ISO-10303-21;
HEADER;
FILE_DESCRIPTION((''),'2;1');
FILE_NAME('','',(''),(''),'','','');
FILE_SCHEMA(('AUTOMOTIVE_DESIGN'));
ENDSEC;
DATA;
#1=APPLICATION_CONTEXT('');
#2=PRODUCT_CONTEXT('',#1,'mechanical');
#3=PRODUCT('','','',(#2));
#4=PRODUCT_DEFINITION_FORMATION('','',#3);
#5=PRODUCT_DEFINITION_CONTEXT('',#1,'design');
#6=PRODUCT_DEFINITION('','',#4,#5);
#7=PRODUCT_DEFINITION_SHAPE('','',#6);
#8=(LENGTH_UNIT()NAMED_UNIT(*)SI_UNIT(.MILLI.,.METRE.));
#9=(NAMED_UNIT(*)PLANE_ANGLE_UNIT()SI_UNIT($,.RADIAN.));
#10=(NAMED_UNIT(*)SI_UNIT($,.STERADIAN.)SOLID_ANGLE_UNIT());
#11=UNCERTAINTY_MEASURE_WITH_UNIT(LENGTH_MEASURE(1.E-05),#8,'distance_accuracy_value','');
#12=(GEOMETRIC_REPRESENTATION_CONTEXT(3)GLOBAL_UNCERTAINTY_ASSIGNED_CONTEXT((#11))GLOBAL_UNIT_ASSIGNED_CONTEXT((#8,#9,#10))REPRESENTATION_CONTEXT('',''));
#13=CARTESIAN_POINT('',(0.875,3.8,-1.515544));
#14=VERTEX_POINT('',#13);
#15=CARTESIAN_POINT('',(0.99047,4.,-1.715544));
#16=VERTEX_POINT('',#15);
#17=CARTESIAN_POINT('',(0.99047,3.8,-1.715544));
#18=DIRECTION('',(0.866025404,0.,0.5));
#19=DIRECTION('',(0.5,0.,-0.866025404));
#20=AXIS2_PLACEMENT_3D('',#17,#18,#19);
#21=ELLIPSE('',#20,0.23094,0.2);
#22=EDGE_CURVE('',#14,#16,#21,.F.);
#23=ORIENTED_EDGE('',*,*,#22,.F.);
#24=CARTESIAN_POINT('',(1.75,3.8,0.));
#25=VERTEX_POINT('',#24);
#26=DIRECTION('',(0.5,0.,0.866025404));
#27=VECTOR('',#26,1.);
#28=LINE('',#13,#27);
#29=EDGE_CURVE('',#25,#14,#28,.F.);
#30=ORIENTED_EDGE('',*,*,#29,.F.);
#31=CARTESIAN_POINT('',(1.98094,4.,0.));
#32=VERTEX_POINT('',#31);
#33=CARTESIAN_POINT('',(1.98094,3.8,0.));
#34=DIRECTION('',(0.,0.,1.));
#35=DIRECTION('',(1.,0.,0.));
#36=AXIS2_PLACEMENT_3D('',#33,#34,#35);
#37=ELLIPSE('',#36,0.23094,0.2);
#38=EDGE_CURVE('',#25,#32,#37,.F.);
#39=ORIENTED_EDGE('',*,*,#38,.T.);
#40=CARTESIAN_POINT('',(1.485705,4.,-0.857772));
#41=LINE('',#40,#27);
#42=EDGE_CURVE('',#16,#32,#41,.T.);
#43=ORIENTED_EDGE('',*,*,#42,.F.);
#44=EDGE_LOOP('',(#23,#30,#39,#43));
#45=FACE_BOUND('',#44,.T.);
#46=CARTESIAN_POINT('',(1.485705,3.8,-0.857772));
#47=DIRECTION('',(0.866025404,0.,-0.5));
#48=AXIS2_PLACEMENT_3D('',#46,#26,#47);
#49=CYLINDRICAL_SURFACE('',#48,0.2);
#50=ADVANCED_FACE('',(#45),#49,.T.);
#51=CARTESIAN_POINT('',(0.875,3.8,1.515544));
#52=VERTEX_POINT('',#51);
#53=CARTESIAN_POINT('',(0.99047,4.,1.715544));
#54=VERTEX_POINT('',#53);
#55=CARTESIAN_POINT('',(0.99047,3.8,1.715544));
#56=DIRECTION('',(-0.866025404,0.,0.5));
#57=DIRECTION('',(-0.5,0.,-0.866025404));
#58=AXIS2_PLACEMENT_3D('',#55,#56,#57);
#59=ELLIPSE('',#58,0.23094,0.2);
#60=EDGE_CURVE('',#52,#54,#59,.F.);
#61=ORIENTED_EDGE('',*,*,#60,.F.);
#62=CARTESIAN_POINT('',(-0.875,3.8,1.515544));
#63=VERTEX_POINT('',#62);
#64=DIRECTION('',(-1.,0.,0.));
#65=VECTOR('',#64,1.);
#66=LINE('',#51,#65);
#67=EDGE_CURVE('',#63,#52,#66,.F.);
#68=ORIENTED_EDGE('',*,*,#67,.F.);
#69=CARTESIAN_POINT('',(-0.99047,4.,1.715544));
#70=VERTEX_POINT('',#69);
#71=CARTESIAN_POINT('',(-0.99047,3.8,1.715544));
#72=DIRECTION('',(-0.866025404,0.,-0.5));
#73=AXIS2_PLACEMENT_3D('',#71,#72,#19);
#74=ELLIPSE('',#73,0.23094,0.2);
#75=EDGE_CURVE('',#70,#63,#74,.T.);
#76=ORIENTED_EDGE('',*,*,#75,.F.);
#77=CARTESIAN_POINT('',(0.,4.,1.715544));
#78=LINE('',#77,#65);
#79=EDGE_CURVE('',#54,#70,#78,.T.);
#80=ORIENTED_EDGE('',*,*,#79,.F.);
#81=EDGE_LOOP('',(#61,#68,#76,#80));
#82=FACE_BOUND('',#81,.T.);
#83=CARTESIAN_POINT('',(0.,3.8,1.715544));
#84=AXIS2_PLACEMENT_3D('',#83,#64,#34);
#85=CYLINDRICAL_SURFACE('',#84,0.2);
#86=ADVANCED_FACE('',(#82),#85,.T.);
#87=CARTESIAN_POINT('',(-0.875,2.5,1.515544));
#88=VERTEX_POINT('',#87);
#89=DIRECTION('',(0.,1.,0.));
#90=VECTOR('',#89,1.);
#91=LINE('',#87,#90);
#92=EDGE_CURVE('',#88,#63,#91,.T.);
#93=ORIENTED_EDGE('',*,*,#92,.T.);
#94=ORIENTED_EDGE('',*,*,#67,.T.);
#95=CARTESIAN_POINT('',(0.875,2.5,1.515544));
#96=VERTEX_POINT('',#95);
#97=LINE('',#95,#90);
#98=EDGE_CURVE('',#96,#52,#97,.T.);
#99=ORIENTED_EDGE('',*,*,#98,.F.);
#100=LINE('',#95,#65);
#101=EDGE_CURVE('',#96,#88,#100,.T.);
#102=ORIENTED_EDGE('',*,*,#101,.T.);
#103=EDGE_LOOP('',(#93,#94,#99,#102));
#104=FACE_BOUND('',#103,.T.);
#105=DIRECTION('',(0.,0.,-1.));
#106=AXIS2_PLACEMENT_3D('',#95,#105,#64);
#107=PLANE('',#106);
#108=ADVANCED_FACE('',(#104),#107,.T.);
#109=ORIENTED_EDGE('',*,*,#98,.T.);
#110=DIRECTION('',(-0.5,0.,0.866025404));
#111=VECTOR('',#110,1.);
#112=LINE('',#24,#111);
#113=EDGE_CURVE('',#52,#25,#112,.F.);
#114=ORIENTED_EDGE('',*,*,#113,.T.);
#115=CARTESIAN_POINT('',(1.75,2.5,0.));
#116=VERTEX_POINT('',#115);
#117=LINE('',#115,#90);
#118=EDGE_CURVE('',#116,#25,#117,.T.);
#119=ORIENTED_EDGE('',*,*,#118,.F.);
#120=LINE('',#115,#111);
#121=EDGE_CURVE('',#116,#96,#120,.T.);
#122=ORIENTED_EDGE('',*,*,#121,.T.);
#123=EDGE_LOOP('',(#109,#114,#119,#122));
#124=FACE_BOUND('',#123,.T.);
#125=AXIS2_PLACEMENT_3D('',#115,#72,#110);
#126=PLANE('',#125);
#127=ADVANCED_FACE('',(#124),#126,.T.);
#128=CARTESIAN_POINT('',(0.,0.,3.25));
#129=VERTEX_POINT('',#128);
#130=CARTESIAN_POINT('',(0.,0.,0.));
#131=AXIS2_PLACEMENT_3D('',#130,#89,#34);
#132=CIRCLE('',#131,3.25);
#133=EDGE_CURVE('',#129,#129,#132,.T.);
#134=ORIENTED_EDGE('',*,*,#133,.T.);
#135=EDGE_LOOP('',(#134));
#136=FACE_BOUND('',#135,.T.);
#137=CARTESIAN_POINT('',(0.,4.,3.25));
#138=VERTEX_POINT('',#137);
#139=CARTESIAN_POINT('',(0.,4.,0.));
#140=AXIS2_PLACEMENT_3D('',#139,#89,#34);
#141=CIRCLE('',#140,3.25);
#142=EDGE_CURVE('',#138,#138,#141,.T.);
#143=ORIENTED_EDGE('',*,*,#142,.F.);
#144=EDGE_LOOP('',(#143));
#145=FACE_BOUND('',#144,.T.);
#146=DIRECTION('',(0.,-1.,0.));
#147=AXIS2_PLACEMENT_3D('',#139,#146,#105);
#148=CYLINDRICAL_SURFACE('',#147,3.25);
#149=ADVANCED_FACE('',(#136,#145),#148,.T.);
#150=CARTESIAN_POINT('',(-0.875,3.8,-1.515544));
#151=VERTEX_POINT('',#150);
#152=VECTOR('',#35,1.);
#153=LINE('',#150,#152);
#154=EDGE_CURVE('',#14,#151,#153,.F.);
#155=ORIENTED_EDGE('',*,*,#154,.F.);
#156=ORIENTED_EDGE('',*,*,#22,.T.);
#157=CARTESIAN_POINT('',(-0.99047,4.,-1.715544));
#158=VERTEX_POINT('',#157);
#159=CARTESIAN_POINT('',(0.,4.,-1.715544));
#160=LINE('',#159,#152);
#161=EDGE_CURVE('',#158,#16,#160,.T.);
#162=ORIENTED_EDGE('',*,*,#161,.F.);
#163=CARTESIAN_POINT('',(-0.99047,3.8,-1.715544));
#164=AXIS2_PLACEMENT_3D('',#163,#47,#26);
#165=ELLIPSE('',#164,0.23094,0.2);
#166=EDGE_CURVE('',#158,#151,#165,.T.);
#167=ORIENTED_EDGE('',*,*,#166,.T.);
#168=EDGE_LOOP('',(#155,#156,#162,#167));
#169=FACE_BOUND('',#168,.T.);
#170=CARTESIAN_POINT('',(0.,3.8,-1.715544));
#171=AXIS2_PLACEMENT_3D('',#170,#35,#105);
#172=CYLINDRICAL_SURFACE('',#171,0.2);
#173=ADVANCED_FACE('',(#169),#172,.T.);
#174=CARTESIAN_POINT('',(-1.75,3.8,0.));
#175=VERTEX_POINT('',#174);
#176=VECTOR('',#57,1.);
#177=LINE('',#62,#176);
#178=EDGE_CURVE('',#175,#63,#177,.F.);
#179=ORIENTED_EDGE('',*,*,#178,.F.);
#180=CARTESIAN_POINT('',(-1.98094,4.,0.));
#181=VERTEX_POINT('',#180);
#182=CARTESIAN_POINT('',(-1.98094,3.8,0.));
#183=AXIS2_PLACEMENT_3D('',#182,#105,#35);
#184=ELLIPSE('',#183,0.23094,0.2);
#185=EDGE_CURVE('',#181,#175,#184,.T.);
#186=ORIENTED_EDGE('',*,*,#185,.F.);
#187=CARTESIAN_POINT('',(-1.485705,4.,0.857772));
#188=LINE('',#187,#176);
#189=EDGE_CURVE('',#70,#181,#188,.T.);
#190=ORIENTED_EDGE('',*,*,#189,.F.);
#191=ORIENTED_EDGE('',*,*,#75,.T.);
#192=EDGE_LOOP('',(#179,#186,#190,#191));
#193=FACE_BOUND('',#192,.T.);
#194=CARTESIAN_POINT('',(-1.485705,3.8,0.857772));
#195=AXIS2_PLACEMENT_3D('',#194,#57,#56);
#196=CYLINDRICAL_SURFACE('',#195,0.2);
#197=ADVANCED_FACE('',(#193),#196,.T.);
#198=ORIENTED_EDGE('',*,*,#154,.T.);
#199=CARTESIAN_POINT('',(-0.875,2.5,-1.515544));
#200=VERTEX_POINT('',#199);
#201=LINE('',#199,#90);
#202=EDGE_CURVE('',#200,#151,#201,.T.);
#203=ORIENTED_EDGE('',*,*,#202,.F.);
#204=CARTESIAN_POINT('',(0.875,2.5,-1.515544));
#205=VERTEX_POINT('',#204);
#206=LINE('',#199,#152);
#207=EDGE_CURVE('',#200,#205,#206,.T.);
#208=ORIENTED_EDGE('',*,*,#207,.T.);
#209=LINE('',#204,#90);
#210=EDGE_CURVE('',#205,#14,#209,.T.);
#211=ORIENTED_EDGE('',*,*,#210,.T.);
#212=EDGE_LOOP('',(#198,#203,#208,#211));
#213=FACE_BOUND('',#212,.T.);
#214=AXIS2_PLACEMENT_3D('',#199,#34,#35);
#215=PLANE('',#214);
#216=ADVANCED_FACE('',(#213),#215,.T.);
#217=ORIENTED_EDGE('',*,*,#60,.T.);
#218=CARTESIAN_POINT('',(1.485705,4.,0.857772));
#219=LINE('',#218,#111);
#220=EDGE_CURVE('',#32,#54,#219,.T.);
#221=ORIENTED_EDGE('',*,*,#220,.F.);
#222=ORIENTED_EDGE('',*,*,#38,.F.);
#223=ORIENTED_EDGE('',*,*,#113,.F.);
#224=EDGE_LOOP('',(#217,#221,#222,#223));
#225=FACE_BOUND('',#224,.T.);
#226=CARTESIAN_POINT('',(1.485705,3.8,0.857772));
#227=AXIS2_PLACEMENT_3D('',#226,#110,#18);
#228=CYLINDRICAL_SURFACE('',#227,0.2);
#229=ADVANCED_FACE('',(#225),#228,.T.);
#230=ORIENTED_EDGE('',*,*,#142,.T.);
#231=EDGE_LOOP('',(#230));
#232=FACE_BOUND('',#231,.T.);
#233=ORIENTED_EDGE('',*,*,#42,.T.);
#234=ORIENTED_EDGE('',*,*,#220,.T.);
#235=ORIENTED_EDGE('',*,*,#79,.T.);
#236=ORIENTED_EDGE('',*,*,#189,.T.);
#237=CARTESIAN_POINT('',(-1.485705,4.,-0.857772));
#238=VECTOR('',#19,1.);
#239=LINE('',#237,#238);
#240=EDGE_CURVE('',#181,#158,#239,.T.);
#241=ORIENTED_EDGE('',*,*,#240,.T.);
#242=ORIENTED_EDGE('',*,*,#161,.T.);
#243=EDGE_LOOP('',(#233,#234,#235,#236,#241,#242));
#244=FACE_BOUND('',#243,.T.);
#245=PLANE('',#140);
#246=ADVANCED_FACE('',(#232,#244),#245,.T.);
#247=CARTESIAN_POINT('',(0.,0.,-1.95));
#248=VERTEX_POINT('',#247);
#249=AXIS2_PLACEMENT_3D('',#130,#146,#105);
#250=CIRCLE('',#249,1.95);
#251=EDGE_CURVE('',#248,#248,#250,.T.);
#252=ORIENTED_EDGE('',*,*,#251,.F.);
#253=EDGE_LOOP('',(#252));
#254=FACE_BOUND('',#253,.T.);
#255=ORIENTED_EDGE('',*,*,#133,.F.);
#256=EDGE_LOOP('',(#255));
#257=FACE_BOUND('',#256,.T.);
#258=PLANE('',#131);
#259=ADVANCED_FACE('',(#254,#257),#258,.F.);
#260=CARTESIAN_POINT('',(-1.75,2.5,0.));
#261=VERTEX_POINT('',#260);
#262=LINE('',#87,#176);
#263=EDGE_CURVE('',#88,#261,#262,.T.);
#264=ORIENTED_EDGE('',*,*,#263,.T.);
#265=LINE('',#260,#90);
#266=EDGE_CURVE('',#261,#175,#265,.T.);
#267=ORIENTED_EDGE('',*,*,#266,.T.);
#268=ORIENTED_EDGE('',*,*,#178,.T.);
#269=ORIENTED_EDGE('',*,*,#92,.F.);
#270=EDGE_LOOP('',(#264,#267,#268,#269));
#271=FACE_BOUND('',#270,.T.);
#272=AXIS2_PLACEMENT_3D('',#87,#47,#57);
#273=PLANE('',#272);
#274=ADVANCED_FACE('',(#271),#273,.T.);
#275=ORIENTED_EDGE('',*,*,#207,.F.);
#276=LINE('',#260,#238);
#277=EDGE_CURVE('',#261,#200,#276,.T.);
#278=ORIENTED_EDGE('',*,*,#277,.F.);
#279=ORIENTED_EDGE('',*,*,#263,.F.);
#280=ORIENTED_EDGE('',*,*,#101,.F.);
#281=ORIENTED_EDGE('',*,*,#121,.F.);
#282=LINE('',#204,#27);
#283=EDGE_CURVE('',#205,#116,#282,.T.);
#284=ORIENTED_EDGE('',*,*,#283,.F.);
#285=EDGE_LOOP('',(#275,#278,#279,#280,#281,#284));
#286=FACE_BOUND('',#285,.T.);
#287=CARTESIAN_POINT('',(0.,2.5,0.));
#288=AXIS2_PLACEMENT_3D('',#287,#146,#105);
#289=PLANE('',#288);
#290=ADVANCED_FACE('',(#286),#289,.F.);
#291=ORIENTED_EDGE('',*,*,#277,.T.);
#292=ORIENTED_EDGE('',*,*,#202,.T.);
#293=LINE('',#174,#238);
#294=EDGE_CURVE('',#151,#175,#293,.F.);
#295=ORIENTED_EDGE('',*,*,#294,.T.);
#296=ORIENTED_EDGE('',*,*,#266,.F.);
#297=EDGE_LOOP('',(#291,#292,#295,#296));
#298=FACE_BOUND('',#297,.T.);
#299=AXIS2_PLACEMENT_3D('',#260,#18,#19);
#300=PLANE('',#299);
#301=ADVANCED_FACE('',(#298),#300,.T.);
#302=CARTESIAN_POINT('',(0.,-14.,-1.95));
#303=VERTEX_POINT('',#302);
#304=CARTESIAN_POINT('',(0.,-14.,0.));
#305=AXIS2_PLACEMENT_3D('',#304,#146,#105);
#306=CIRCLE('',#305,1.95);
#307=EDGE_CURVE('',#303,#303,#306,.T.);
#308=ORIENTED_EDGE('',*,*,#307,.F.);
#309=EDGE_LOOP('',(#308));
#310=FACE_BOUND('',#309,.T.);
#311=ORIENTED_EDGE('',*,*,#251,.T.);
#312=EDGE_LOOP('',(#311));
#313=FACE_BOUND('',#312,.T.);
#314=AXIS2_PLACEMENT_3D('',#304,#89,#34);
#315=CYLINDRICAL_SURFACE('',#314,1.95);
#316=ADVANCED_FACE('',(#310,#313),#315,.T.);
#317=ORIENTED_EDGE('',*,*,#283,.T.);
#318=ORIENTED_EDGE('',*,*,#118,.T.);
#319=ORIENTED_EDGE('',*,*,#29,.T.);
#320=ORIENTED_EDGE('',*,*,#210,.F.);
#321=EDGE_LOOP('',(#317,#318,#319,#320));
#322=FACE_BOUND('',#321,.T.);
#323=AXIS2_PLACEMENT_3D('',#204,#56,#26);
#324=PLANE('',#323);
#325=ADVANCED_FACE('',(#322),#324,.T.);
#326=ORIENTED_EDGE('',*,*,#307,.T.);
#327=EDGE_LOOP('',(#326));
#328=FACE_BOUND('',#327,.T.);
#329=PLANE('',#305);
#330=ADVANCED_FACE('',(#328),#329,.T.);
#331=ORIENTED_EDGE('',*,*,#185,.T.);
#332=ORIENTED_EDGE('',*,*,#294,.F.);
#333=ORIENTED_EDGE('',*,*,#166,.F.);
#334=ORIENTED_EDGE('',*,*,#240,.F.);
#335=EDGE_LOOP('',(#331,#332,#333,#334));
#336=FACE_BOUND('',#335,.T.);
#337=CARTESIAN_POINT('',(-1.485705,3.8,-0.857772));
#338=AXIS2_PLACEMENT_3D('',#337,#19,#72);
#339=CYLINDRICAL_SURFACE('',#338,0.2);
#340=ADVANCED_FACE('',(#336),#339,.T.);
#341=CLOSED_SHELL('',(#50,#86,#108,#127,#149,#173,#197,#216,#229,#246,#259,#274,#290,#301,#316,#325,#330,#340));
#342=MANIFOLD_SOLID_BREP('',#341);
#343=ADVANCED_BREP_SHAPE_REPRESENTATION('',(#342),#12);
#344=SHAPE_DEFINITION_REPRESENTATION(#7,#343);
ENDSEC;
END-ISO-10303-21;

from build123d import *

# Parameters (mm, degrees)
SKETCH_1_R          = 3.25
EXTRUDE_1_DEPTH     = 4
CUT_EXTRUDE_1_DEPTH = 1.5
SKETCH_5_R          = 1.95
EXTRUDE_2_DEPTH     = 14
FILLET_1_R          = 0.2


with BuildPart() as part:
    # 草图1 → 凸台-拉伸1 (new body)
    with BuildSketch(Plane(origin=(0, 0, 0), x_dir=(1, 0, 0), z_dir=(0, 1, 0))):
        with Locations(Location((0, 0, 0), (0, 0, 270))):
            Circle(SKETCH_1_R)
    extrude(amount=EXTRUDE_1_DEPTH)

    # 草图2 → 切除-拉伸1 (cut)
    with BuildSketch(Plane(origin=(0, 4, 0), x_dir=(1, 0, 0), z_dir=(0, 1, 0))):
        Polygon((-0.875, 1.515544457), (0.875, 1.515544457), (1.75, 0), (0.875, -1.515544457), (-0.875, -1.515544457), (-1.75, 0), align=None)
    extrude(amount=-CUT_EXTRUDE_1_DEPTH, mode=Mode.SUBTRACT)

    # 草图5 → 凸台-拉伸2 (add)
    with BuildSketch(Plane.XZ):
        with Locations(Location((0, 0, 0), (0, 0, 270))):
            Circle(SKETCH_5_R)
    extrude(amount=EXTRUDE_2_DEPTH)

    # 圆角1
    fillet_1_edges = [part.edges().sort_by_distance(p)[0] for p in [
        (-1.3125, 4, -0.757772228),
        (0, 4, -1.515544457),
        (1.3125, 4, -0.757772228),
        (1.3125, 4, 0.757772228),
        (0, 4, 1.515544457),
        (-1.3125, 4, 0.757772228),
    ]]
    fillet(fillet_1_edges, radius=FILLET_1_R)


solid = part.part
